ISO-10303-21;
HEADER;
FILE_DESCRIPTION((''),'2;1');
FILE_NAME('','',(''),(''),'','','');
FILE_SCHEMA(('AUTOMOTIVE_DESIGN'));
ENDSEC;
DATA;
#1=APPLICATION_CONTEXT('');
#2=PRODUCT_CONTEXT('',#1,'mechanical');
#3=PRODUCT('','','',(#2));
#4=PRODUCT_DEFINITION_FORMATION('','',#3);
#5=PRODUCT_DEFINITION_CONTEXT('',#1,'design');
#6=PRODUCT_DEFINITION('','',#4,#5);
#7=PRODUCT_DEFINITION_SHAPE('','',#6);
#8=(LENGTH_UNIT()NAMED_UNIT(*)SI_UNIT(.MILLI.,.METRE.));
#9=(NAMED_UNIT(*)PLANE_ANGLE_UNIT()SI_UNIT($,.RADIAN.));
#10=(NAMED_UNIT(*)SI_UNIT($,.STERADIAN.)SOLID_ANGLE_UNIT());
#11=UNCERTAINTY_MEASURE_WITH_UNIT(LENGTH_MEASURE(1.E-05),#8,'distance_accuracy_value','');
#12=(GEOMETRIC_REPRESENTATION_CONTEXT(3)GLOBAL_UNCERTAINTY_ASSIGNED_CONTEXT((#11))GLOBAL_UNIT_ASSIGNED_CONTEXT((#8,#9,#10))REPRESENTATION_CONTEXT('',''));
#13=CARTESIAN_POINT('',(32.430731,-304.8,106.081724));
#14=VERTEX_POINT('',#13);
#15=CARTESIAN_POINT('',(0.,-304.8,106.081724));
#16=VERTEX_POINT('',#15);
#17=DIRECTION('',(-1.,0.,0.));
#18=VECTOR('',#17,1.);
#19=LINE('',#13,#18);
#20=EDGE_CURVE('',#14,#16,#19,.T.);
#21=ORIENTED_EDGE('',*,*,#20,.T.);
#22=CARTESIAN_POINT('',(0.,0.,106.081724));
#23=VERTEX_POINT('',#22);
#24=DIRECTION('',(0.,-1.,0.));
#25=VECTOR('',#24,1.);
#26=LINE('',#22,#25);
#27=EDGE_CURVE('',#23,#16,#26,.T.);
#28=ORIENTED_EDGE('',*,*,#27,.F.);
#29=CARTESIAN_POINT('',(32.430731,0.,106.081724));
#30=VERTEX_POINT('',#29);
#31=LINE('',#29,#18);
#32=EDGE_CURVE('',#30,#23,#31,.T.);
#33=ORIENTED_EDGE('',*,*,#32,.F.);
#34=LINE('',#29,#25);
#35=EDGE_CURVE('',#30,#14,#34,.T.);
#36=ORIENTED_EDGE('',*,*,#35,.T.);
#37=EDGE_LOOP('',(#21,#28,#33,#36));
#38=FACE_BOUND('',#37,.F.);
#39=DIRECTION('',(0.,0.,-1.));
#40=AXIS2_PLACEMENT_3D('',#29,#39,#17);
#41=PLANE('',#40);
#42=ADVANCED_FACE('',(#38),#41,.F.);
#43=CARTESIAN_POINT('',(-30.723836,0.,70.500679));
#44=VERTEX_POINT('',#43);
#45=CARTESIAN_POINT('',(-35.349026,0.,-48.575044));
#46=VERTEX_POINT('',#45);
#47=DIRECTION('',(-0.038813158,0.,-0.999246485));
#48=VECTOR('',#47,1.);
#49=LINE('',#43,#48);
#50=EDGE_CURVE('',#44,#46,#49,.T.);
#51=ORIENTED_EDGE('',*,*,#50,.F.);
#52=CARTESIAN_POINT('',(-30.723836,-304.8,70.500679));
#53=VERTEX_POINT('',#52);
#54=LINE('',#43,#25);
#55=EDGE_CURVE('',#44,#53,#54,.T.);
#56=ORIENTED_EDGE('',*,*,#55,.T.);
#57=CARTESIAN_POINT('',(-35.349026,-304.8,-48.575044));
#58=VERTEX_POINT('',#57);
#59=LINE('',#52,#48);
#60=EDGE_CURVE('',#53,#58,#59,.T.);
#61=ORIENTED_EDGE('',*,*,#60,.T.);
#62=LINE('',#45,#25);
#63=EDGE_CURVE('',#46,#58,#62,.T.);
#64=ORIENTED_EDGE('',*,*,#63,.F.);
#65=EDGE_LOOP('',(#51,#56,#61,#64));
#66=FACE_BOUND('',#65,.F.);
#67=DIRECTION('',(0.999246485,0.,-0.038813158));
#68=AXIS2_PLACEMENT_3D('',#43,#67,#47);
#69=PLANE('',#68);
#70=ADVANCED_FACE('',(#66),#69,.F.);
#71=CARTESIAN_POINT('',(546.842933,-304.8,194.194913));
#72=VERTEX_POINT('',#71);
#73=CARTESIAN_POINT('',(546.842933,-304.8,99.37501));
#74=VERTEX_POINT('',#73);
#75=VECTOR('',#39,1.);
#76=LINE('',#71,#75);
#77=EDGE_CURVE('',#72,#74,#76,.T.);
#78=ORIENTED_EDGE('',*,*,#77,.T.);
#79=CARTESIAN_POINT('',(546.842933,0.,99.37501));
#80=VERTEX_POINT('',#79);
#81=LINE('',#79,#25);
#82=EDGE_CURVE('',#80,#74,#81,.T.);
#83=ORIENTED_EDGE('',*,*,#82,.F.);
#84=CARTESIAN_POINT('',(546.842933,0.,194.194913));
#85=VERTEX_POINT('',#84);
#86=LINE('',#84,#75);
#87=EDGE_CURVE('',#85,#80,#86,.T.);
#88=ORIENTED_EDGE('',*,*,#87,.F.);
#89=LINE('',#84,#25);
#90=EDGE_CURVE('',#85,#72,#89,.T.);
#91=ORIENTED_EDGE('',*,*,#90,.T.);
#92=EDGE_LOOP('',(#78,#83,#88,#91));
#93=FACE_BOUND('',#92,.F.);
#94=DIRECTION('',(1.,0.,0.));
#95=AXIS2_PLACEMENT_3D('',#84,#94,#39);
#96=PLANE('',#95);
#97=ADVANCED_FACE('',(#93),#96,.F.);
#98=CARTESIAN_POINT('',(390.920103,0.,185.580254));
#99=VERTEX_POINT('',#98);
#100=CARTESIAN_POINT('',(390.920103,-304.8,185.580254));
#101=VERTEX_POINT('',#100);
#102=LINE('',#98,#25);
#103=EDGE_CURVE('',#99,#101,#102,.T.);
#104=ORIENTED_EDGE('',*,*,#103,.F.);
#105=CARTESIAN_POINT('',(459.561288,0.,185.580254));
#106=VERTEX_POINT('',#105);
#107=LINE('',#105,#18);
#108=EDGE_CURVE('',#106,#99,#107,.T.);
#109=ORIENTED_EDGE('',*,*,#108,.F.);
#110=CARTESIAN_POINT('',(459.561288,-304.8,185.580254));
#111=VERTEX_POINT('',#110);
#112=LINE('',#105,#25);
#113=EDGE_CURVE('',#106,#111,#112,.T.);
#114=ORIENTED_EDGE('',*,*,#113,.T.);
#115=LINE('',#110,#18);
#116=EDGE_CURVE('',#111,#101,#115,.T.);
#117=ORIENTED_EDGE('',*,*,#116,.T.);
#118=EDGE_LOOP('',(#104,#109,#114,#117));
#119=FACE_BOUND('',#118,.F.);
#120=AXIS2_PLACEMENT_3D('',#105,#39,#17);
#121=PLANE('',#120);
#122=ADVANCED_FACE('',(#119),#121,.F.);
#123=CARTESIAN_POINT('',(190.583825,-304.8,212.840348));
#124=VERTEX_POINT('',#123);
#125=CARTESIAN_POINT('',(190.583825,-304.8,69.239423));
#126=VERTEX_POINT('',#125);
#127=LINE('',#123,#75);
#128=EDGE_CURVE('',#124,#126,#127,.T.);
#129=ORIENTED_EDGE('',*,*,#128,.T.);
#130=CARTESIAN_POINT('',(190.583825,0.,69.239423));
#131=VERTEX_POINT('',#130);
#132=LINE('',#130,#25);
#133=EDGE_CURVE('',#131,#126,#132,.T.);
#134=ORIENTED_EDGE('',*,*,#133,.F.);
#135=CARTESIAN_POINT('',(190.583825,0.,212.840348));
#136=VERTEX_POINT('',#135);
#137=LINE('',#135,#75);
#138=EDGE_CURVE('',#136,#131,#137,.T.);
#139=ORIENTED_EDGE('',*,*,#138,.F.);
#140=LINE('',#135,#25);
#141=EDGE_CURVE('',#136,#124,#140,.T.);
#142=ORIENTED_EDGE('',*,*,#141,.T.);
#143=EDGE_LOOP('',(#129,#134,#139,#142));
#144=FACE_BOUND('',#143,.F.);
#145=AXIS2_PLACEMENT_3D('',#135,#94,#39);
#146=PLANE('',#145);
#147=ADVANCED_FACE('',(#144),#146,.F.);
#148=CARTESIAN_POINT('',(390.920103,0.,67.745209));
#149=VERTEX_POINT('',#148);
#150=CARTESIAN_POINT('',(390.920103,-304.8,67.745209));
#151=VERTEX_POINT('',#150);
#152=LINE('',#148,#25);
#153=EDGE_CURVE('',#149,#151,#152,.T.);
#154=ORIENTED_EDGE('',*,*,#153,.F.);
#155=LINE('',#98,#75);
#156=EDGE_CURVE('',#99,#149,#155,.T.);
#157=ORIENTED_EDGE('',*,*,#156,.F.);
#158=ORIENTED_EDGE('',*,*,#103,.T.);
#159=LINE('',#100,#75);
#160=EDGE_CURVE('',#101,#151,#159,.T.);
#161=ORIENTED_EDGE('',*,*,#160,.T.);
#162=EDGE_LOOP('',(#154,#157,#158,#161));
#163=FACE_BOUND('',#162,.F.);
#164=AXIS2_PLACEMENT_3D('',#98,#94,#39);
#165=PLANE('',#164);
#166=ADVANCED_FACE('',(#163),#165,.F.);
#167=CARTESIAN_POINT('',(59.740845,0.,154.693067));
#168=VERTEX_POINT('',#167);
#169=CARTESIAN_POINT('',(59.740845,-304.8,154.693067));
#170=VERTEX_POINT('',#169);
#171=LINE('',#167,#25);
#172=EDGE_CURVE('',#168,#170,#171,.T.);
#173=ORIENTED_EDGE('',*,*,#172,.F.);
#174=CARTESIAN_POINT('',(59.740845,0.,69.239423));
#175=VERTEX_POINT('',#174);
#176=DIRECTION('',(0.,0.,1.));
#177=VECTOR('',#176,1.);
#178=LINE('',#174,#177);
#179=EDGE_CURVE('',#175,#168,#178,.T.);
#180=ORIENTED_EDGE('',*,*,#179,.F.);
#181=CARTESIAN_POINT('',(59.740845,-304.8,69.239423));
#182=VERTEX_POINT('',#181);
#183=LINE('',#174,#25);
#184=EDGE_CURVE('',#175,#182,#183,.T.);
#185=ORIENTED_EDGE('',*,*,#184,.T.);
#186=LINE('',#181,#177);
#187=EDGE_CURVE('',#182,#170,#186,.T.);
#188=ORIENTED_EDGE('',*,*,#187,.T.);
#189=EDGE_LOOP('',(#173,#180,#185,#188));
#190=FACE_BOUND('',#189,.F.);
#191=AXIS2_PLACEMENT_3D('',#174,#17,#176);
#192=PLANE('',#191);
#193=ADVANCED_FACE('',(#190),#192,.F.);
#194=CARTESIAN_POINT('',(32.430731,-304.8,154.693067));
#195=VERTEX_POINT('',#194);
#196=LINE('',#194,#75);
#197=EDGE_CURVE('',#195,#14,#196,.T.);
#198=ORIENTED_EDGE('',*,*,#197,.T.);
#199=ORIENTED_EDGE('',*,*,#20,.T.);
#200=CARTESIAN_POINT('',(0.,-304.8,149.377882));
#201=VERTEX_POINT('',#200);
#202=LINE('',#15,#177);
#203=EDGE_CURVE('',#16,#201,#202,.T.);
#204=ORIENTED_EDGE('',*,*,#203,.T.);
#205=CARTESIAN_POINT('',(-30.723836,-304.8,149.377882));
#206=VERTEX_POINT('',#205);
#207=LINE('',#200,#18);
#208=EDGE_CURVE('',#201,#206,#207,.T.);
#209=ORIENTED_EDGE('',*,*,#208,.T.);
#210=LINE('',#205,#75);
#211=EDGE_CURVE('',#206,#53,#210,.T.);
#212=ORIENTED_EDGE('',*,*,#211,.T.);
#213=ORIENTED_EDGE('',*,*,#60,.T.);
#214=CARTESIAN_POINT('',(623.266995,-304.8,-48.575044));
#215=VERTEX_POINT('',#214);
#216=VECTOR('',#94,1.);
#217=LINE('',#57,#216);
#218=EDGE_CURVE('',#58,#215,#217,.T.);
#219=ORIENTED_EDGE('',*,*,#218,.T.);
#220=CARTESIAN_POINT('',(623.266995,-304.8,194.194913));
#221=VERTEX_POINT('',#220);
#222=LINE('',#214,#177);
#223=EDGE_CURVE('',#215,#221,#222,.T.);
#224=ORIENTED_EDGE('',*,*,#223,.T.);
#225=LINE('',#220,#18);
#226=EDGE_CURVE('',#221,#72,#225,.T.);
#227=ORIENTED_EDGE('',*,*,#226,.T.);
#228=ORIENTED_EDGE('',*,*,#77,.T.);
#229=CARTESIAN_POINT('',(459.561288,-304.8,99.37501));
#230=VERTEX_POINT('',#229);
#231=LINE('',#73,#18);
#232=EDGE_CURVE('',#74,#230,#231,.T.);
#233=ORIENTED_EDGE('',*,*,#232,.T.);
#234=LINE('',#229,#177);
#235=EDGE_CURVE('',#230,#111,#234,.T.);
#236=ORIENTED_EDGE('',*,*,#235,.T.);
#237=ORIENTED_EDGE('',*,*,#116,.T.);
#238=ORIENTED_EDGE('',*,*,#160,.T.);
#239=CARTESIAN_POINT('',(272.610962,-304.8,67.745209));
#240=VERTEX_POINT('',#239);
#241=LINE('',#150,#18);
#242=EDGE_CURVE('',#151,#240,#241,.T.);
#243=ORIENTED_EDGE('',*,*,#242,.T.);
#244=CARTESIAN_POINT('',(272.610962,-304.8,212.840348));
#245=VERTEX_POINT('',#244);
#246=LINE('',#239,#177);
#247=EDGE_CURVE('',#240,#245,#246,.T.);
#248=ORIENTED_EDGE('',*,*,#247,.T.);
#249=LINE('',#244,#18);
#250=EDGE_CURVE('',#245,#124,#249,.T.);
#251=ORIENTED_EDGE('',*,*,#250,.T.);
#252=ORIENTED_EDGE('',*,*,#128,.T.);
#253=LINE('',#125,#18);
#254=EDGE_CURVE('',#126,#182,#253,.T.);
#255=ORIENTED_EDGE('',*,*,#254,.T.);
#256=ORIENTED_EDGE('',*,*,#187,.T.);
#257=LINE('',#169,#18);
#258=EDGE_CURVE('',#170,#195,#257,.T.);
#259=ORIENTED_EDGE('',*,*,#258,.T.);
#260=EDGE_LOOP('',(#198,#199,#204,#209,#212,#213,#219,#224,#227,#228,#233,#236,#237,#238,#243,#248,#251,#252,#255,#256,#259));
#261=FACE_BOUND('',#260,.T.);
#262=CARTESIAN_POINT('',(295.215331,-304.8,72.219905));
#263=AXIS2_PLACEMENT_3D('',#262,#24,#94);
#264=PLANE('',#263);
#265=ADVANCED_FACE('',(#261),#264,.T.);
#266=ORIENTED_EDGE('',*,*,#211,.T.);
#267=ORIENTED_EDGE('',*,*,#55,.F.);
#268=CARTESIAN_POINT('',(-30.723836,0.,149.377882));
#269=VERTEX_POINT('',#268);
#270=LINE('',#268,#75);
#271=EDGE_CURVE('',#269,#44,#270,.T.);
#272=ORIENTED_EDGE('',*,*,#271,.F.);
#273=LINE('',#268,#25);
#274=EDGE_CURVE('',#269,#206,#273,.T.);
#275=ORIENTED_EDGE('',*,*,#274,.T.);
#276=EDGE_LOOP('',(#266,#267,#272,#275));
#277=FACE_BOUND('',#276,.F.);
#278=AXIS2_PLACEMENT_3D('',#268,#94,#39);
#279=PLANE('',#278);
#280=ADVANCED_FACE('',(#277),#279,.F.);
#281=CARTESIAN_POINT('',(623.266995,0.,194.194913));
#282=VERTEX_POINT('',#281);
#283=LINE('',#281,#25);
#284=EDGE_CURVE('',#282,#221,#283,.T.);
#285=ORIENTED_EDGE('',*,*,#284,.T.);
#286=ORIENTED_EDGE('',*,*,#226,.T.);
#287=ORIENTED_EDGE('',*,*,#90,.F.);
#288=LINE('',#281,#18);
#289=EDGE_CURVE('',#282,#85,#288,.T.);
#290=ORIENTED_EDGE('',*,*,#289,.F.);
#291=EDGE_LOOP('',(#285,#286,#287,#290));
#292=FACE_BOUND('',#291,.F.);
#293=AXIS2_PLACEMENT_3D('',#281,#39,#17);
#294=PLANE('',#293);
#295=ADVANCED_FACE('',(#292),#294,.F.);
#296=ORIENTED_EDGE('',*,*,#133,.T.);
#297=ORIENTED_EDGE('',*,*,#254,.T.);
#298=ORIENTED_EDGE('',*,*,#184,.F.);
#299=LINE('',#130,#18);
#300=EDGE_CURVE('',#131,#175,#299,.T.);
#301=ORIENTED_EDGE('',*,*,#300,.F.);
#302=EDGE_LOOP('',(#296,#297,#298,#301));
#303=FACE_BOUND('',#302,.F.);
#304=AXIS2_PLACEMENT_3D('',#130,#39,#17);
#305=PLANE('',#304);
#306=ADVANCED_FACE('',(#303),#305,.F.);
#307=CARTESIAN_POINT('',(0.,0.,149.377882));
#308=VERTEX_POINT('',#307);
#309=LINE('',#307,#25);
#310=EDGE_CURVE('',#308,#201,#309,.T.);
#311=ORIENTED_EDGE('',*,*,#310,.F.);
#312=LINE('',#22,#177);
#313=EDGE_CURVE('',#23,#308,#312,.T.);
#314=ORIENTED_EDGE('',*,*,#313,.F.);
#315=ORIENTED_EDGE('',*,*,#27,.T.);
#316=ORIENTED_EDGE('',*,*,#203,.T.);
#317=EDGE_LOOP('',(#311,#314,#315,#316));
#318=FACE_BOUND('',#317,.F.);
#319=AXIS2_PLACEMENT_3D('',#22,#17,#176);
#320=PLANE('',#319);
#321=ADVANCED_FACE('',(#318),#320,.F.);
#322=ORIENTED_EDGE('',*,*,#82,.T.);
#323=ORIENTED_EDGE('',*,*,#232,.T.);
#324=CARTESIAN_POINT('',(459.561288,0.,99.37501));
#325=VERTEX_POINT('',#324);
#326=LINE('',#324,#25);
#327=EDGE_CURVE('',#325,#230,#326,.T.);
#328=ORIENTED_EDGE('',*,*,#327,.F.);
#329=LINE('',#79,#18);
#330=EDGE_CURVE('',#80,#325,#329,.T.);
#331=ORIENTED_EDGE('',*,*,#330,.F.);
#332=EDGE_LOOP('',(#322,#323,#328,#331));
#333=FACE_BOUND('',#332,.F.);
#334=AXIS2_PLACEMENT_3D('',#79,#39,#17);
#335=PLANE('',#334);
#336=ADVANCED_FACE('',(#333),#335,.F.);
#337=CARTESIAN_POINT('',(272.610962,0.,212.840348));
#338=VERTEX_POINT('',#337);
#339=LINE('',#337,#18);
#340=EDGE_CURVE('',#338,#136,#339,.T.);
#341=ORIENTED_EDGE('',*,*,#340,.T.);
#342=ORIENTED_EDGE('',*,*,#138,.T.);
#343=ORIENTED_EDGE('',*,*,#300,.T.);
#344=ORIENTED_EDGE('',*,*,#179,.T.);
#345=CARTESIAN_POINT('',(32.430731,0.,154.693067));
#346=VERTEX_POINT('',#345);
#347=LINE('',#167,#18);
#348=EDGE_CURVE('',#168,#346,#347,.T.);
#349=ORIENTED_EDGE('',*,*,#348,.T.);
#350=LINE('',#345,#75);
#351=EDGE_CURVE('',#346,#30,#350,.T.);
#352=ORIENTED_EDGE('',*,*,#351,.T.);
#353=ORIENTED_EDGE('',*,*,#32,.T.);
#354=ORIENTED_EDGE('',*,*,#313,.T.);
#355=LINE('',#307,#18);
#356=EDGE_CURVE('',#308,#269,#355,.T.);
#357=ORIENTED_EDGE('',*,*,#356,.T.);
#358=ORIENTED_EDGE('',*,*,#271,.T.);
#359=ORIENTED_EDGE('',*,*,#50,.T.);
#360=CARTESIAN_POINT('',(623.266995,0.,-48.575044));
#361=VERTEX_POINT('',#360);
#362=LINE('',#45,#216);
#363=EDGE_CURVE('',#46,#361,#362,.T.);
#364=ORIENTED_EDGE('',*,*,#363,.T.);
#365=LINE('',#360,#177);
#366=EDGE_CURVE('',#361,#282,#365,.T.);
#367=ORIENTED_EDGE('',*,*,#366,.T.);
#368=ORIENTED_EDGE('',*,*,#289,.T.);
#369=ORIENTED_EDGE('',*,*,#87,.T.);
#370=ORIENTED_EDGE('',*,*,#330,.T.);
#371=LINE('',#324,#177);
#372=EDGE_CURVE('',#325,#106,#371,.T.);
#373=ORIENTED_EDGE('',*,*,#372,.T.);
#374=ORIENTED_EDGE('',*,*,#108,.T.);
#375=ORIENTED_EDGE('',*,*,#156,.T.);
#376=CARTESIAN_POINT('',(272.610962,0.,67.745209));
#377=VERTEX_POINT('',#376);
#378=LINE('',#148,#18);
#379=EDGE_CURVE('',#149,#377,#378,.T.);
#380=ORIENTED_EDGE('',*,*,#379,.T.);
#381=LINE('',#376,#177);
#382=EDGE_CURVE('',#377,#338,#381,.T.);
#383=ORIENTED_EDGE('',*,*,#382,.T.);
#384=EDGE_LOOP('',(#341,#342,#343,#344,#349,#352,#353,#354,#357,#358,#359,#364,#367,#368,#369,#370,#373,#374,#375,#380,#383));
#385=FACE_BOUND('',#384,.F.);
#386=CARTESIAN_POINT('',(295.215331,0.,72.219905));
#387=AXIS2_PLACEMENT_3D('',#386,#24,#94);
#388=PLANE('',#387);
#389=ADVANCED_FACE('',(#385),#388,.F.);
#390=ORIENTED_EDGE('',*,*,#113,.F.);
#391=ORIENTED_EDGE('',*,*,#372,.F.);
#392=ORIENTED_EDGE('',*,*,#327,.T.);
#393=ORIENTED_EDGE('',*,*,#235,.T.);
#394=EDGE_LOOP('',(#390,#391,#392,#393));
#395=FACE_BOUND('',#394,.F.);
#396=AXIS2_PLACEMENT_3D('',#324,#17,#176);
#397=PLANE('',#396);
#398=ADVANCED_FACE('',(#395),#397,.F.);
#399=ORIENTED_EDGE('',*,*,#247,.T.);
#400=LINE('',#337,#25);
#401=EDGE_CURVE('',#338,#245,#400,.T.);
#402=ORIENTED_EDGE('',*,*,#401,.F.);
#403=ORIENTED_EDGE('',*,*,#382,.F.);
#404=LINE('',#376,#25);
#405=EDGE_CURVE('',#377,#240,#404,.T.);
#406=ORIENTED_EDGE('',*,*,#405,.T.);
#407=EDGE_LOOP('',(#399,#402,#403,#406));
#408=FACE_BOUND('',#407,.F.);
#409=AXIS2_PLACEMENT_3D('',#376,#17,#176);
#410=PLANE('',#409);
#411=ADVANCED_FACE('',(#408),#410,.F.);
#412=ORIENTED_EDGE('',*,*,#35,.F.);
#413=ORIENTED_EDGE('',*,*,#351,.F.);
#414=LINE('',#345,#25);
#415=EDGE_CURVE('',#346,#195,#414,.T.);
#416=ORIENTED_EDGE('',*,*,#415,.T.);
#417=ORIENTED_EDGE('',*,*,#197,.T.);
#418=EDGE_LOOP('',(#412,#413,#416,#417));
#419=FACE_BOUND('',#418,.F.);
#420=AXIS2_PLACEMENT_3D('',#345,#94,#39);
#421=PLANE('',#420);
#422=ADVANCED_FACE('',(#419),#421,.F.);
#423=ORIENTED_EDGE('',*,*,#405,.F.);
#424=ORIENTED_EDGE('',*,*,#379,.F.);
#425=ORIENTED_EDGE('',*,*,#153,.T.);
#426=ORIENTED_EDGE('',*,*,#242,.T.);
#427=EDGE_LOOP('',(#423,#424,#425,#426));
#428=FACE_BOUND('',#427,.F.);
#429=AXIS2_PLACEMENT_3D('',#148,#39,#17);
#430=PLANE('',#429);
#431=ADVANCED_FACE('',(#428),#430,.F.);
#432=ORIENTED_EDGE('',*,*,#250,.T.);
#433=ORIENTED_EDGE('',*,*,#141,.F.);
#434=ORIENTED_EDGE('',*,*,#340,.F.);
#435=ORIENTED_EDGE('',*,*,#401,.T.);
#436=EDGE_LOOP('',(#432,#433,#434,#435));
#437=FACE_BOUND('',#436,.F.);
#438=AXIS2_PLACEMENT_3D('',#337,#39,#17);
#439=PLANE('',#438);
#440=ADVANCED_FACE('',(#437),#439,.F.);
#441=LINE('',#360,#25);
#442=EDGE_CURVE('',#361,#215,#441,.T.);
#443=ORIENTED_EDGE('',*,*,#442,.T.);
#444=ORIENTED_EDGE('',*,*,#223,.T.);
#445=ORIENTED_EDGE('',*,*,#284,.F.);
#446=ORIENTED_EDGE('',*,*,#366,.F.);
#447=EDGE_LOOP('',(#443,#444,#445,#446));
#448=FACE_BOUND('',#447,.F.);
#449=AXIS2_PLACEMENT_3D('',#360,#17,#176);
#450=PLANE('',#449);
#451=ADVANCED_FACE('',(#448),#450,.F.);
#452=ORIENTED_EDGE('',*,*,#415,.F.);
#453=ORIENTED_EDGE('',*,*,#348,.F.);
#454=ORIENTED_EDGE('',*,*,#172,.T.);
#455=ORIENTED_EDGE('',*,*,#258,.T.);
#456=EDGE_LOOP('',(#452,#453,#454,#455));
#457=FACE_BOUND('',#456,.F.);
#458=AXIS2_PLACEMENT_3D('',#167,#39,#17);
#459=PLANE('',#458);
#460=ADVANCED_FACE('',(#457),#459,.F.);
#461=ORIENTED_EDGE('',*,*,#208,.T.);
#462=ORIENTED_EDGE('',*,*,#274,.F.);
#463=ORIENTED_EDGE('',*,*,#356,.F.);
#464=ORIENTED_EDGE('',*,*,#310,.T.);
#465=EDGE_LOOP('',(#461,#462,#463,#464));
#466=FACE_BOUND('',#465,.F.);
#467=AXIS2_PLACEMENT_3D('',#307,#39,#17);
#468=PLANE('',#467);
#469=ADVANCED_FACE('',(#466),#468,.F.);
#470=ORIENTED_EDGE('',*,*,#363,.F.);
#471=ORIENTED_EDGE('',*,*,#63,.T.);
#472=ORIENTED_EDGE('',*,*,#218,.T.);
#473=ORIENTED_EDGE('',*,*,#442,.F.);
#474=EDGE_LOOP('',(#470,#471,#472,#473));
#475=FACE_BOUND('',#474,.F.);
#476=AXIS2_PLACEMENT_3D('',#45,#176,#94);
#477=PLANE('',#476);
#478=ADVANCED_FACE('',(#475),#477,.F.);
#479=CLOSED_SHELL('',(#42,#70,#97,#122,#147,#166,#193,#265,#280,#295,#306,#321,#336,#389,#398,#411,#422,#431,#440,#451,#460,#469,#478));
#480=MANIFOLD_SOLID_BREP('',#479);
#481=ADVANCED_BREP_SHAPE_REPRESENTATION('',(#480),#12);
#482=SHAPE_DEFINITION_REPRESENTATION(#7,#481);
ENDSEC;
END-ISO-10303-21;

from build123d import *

# Parameters (mm, degrees)
F1_DEPTH = 304.8


with BuildPart() as f1:
    # F0 (on Front) → F1 (new body)
    with BuildSketch(Plane.XZ):
        Polygon((-30.723836, 149.377882), (-30.723836, 70.500679), (-35.349026, -48.575044), (623.266995, -48.575044), (623.266995, 194.194913), (546.842933, 194.194913), (546.842933, 99.37501), (459.561288, 99.37501), (459.561288, 185.580254), (390.920103, 185.580254), (390.920103, 67.745209), (272.610962, 67.745209), (272.610962, 212.840348), (190.583825, 212.840348), (190.583825, 69.239423), (59.740845, 69.239423), (59.740845, 154.693067), (32.430731, 154.693067), (32.430731, 106.081724), (0, 106.081724), (0, 149.377882), align=None)
    extrude(amount=F1_DEPTH)


solid = f1.part
